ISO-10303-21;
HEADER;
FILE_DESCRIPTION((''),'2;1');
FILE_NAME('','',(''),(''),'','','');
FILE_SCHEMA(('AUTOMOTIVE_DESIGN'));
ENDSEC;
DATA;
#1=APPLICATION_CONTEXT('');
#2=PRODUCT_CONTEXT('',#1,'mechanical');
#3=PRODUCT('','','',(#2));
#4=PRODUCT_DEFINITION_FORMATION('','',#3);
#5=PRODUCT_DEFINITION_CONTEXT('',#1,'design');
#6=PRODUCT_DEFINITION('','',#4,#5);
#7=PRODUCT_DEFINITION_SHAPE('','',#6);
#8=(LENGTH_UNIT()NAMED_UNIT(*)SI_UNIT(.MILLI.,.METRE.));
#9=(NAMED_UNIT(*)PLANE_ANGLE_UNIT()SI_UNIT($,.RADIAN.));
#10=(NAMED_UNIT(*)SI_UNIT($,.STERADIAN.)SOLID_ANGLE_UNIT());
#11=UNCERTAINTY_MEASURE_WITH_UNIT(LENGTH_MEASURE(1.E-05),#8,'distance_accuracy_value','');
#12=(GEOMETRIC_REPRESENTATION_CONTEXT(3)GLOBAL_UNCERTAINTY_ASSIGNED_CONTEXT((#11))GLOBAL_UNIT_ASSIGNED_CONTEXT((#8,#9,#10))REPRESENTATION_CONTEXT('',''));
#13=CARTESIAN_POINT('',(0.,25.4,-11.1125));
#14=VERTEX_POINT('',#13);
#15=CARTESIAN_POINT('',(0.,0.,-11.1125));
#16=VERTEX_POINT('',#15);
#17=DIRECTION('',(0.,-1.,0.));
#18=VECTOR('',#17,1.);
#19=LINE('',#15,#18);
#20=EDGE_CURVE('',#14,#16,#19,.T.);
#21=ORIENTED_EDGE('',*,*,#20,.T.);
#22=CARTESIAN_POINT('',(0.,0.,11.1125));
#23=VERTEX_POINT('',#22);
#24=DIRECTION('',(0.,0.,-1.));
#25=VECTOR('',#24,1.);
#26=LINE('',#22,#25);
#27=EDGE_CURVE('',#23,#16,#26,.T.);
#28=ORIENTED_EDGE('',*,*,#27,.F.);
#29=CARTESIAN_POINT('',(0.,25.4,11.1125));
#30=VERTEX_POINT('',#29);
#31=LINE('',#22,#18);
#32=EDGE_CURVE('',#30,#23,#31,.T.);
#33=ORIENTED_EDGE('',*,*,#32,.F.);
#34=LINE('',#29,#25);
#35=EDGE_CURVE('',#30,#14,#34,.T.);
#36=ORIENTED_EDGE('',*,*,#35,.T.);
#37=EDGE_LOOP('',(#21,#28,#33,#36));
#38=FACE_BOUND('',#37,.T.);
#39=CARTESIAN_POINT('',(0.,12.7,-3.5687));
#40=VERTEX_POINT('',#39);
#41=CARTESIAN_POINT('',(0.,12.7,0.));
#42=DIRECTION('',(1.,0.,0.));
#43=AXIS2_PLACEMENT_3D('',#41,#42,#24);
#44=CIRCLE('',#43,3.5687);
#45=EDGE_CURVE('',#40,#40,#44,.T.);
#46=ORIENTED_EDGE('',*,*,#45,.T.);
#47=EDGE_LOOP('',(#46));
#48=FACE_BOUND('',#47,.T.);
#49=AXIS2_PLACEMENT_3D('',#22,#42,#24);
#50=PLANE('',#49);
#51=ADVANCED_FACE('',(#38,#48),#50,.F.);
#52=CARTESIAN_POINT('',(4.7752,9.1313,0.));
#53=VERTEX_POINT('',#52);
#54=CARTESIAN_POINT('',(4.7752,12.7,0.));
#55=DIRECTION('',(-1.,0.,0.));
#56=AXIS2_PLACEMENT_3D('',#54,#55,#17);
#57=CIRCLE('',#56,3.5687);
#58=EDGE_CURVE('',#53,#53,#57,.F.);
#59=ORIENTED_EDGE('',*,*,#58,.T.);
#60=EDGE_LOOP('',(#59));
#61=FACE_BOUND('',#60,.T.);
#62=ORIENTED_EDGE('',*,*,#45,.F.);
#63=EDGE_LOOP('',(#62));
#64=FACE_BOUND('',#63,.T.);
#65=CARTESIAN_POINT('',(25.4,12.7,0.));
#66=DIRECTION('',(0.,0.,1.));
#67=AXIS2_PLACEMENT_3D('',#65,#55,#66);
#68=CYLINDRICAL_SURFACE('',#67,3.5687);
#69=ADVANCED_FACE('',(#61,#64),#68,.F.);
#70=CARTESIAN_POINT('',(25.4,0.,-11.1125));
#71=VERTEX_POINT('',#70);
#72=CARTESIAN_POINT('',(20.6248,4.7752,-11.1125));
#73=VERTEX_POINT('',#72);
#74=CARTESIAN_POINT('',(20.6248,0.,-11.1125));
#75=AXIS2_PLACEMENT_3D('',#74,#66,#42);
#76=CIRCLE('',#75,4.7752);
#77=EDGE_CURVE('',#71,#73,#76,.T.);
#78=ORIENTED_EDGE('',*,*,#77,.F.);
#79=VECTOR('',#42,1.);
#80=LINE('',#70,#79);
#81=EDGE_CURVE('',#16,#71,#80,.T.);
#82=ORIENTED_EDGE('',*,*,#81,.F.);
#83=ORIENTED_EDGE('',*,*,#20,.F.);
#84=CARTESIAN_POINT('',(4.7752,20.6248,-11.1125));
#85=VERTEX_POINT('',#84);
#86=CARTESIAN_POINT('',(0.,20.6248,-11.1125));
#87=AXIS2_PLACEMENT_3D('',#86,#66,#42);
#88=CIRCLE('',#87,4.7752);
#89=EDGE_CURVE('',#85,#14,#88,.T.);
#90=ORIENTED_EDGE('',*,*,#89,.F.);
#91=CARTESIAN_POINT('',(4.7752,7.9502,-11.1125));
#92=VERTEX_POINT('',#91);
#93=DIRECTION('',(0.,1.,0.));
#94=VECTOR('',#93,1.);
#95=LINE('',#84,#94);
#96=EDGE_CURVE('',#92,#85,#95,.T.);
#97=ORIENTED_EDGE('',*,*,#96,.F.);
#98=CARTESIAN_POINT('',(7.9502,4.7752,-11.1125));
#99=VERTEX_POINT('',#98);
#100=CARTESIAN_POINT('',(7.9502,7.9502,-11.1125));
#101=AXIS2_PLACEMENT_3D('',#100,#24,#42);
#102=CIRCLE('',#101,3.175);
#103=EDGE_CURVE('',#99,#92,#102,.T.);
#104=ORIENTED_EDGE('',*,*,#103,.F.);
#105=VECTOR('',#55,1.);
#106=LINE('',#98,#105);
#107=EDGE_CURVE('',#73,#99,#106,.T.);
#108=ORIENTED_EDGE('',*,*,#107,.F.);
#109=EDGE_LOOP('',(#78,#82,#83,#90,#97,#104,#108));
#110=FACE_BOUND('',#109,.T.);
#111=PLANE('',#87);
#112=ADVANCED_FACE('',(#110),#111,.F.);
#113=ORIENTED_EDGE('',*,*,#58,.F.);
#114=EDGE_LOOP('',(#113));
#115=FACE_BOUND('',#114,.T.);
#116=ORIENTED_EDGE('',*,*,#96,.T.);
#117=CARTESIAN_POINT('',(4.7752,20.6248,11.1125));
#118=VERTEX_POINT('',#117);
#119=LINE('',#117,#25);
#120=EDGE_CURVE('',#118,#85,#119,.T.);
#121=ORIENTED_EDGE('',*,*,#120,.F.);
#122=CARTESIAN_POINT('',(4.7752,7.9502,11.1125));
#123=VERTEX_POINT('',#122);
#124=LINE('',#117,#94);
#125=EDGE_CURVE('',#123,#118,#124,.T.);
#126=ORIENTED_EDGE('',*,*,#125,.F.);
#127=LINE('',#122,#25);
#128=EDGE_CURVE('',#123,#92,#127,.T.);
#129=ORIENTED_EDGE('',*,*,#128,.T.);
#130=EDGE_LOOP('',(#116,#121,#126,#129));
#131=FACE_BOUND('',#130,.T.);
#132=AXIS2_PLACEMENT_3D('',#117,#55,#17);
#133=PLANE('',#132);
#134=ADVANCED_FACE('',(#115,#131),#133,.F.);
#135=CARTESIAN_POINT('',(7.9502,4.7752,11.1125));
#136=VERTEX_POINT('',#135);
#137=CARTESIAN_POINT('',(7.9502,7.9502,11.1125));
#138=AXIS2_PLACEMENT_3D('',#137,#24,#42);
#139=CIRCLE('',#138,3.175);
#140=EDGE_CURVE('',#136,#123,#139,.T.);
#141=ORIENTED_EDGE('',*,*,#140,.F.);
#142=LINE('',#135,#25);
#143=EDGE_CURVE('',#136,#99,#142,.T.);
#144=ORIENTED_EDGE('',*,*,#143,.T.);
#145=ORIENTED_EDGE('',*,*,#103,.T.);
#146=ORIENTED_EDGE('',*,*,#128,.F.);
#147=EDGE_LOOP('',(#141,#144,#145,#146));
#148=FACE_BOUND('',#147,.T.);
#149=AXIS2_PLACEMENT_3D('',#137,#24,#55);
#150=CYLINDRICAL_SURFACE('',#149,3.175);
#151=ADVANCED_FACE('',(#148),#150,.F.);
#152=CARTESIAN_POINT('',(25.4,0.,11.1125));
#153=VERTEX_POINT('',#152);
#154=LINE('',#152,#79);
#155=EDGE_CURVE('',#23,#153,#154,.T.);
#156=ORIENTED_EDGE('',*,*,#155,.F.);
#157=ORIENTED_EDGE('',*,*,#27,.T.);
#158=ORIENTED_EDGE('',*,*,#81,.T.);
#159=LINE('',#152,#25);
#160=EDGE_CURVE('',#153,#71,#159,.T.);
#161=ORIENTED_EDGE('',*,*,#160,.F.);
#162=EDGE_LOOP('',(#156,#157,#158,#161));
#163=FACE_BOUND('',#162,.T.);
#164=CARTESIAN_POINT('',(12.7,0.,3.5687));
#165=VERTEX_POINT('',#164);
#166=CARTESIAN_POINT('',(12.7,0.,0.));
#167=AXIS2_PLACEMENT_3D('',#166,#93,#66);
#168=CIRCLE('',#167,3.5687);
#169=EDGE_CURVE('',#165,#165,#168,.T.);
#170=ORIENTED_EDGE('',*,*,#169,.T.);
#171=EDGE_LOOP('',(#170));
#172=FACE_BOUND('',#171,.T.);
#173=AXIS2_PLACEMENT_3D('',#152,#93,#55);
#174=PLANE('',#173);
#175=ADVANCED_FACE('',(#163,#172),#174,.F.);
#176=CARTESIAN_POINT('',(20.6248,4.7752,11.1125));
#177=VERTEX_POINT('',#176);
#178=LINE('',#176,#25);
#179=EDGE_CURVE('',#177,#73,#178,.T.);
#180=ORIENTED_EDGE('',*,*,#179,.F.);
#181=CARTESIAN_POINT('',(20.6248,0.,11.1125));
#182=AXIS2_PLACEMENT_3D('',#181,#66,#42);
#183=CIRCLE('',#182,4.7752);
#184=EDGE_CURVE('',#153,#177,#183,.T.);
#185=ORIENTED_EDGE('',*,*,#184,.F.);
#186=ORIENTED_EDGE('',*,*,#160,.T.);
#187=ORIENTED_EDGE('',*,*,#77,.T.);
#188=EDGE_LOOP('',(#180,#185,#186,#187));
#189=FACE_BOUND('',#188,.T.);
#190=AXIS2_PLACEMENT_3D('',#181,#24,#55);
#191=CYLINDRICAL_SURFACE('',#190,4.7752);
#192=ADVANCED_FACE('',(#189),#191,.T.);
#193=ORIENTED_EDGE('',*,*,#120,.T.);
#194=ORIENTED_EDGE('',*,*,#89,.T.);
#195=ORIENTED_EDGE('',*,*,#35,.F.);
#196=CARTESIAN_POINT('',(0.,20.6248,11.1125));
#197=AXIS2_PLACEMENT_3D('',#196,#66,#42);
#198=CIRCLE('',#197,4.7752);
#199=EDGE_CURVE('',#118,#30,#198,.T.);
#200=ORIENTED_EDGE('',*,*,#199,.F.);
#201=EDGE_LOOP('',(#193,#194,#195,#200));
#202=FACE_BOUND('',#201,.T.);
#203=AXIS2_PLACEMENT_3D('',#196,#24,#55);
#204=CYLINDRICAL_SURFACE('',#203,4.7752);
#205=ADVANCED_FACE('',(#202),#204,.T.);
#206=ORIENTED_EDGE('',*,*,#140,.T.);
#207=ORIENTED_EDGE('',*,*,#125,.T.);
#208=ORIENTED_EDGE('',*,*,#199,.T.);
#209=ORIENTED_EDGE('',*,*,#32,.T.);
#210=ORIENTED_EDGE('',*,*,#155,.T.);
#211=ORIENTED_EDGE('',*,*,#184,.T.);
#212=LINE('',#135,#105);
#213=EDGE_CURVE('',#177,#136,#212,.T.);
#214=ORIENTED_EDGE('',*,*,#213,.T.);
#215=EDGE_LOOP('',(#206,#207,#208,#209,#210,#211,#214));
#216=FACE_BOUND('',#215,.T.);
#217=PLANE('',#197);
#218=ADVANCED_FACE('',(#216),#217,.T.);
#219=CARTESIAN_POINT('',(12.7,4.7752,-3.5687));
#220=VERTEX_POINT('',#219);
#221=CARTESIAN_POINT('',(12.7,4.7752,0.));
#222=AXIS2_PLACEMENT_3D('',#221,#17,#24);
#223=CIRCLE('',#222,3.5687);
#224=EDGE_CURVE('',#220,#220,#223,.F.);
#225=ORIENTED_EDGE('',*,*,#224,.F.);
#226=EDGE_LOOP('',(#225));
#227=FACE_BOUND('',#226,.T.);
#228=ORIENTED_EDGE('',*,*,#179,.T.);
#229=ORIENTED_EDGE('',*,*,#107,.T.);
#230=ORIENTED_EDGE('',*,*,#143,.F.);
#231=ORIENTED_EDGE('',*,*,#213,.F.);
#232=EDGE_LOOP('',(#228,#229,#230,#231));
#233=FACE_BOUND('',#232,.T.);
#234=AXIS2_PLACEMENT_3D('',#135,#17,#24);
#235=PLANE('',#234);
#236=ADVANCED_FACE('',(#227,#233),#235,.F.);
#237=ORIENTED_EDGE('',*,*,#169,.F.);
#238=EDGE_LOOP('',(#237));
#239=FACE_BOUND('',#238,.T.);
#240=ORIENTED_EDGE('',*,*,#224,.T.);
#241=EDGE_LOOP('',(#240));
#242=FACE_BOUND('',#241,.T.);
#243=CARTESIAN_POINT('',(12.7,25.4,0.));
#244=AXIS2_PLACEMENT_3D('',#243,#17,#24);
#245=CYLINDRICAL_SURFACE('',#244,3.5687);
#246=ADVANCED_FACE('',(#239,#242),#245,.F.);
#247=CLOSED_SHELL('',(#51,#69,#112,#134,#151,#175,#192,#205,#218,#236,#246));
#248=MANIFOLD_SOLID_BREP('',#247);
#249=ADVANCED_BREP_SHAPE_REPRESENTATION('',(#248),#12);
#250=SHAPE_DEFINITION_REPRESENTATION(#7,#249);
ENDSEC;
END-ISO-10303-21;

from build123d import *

# Parameters (mm, degrees)
BOSS_EXTRUDE1_DEPTH = 11.1125
SKETCH2_R           = 3.5687
CUT_EXTRUDE1_DEPTH  = 26.4
SKETCH3_R           = 3.5687
CUT_EXTRUDE2_DEPTH  = 26.4


with BuildPart() as part:
    # Sketch1 → Boss-Extrude1 (new body, symmetric)
    with BuildSketch(Plane.XY):
        with BuildLine():
            Line((0, 0), (0, 25.4))
            ThreePointArc((0, 25.4), (3.376576302, 24.001376302), (4.7752, 20.6248))
            Line((4.7752, 20.6248), (4.7752, 7.9502))
            ThreePointArc((4.7752, 7.9502), (5.70513597, 5.70513597), (7.9502, 4.7752))
            Line((7.9502, 4.7752), (20.6248, 4.7752))
            ThreePointArc((20.6248, 4.7752), (24.001376302, 3.376576302), (25.4, 0))
            Line((25.4, 0), (0, 0))
        make_face()
    extrude(amount=BOSS_EXTRUDE1_DEPTH, both=True)

    # Sketch2 → Cut-Extrude1 (cut, through all)
    with BuildSketch(Plane(origin=(0, 0, 0), x_dir=(1, 0, 0), z_dir=(0, 1, 0))):
        with Locations((12.7, 0)):
            Circle(SKETCH2_R)
    extrude(amount=CUT_EXTRUDE1_DEPTH, mode=Mode.SUBTRACT)

    # Sketch3 → Cut-Extrude2 (cut, through all)
    with BuildSketch(Plane(origin=(0, 0, 0), x_dir=(0, 0, -1), z_dir=(1, 0, 0))):
        with Locations((0, 12.7)):
            Circle(SKETCH3_R)
    extrude(amount=CUT_EXTRUDE2_DEPTH, mode=Mode.SUBTRACT)


solid = part.part
